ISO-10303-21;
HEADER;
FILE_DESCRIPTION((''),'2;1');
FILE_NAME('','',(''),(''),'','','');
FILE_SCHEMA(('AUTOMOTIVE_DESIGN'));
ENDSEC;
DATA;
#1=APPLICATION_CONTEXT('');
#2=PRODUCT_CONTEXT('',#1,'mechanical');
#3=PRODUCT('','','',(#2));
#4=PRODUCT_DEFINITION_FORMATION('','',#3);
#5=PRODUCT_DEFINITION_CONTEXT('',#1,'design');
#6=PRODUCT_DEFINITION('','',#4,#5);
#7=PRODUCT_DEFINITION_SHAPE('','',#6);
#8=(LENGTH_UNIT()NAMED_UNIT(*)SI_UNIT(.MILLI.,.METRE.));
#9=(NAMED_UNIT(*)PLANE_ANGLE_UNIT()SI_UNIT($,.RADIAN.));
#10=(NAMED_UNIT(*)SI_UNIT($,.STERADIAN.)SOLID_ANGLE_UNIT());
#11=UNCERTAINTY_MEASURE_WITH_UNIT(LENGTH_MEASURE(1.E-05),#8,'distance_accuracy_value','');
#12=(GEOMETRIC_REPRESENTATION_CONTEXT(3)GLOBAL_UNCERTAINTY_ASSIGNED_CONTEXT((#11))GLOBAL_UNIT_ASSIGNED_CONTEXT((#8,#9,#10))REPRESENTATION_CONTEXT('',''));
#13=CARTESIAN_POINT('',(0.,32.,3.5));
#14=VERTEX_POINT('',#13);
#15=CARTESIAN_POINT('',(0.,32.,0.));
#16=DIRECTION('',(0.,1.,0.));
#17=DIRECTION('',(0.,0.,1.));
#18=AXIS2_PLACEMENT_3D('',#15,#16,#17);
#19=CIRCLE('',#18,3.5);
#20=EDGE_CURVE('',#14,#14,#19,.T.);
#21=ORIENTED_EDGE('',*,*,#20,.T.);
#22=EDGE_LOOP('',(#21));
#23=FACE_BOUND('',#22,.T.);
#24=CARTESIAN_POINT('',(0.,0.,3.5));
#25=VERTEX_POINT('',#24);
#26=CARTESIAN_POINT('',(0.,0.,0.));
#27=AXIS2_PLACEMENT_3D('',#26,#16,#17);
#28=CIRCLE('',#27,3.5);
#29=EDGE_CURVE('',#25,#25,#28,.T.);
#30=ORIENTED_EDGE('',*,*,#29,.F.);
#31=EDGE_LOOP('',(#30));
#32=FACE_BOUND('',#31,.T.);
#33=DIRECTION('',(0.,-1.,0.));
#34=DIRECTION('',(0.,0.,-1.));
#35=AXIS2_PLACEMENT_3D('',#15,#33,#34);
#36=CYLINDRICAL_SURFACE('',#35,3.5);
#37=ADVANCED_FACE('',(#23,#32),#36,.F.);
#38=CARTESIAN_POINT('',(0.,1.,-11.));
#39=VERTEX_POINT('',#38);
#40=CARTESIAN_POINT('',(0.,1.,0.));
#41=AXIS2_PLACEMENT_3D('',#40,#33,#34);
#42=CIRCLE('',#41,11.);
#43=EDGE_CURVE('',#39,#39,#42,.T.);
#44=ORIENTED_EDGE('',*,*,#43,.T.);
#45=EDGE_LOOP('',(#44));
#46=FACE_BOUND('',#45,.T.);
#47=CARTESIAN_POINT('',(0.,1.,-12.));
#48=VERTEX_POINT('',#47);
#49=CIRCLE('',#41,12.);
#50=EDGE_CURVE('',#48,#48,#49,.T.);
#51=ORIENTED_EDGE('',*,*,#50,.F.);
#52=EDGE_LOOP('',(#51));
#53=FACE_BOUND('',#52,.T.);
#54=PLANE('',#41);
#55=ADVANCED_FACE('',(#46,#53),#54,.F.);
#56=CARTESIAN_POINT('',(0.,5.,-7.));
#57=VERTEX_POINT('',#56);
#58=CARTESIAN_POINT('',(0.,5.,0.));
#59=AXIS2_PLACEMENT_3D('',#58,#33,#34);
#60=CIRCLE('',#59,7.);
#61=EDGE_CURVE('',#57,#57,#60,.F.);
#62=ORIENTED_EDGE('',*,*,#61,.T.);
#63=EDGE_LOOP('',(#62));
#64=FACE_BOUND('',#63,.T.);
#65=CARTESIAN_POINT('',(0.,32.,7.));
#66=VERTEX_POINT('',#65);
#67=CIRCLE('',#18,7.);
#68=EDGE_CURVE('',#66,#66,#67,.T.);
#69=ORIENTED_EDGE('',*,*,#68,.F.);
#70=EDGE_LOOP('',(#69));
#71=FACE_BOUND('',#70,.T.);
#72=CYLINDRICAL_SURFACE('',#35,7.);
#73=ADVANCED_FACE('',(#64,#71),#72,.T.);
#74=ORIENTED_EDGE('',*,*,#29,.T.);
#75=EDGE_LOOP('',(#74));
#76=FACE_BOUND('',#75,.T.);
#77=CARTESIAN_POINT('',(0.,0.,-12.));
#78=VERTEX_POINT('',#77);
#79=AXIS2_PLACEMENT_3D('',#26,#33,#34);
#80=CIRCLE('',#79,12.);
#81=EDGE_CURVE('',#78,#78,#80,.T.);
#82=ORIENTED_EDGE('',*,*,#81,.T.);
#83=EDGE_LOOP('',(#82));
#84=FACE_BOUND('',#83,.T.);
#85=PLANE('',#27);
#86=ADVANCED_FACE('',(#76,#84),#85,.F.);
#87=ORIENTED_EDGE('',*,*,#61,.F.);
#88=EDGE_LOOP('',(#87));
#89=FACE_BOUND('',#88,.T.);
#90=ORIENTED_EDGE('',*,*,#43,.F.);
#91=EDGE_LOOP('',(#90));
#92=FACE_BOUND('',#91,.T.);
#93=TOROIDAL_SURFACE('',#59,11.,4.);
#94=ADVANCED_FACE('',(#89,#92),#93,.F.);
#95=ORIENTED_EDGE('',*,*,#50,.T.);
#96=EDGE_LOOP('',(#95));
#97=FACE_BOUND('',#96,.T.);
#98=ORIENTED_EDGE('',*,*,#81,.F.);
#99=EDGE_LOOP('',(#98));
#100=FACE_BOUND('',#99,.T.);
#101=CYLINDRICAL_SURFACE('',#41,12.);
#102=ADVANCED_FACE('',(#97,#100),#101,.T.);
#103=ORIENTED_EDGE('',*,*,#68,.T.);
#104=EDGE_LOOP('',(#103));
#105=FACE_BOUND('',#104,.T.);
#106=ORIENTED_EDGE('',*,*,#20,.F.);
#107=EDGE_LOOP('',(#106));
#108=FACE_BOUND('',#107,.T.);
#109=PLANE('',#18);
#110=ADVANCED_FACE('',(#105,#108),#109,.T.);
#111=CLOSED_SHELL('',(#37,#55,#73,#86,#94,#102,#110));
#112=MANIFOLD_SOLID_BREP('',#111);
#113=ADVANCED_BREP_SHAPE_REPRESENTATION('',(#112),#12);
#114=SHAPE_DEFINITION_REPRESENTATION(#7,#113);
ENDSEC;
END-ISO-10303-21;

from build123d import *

# Parameters (mm, degrees)
CROQUIS1_R              = 7
CROQUIS1_R_2            = 3.5
SALIENTE_EXTRUIR1_DEPTH = 32
CROQUIS2_R              = 12
CROQUIS2_R_2            = 7
SALIENTE_EXTRUIR2_DEPTH = 1
REDONDEO1_R             = 4


with BuildPart() as part:
    # Croquis1 → Saliente-Extruir1 (new body)
    with BuildSketch(Plane(origin=(0, 0, 0), x_dir=(1, 0, 0), z_dir=(0, 1, 0))):
        Circle(CROQUIS1_R)
        Circle(CROQUIS1_R_2, mode=Mode.SUBTRACT)
    extrude(amount=SALIENTE_EXTRUIR1_DEPTH)

    # Croquis2 → Saliente-Extruir2 (add)
    with BuildSketch(Plane.XZ):
        Circle(CROQUIS2_R)
        Circle(CROQUIS2_R_2, mode=Mode.SUBTRACT)
    extrude(amount=-SALIENTE_EXTRUIR2_DEPTH)

    # Redondeo1
    redondeo1_edges = [part.edges().sort_by_distance(p)[0] for p in [
        (-7, 1, 0),
    ]]
    fillet(redondeo1_edges, radius=REDONDEO1_R)


solid = part.part
